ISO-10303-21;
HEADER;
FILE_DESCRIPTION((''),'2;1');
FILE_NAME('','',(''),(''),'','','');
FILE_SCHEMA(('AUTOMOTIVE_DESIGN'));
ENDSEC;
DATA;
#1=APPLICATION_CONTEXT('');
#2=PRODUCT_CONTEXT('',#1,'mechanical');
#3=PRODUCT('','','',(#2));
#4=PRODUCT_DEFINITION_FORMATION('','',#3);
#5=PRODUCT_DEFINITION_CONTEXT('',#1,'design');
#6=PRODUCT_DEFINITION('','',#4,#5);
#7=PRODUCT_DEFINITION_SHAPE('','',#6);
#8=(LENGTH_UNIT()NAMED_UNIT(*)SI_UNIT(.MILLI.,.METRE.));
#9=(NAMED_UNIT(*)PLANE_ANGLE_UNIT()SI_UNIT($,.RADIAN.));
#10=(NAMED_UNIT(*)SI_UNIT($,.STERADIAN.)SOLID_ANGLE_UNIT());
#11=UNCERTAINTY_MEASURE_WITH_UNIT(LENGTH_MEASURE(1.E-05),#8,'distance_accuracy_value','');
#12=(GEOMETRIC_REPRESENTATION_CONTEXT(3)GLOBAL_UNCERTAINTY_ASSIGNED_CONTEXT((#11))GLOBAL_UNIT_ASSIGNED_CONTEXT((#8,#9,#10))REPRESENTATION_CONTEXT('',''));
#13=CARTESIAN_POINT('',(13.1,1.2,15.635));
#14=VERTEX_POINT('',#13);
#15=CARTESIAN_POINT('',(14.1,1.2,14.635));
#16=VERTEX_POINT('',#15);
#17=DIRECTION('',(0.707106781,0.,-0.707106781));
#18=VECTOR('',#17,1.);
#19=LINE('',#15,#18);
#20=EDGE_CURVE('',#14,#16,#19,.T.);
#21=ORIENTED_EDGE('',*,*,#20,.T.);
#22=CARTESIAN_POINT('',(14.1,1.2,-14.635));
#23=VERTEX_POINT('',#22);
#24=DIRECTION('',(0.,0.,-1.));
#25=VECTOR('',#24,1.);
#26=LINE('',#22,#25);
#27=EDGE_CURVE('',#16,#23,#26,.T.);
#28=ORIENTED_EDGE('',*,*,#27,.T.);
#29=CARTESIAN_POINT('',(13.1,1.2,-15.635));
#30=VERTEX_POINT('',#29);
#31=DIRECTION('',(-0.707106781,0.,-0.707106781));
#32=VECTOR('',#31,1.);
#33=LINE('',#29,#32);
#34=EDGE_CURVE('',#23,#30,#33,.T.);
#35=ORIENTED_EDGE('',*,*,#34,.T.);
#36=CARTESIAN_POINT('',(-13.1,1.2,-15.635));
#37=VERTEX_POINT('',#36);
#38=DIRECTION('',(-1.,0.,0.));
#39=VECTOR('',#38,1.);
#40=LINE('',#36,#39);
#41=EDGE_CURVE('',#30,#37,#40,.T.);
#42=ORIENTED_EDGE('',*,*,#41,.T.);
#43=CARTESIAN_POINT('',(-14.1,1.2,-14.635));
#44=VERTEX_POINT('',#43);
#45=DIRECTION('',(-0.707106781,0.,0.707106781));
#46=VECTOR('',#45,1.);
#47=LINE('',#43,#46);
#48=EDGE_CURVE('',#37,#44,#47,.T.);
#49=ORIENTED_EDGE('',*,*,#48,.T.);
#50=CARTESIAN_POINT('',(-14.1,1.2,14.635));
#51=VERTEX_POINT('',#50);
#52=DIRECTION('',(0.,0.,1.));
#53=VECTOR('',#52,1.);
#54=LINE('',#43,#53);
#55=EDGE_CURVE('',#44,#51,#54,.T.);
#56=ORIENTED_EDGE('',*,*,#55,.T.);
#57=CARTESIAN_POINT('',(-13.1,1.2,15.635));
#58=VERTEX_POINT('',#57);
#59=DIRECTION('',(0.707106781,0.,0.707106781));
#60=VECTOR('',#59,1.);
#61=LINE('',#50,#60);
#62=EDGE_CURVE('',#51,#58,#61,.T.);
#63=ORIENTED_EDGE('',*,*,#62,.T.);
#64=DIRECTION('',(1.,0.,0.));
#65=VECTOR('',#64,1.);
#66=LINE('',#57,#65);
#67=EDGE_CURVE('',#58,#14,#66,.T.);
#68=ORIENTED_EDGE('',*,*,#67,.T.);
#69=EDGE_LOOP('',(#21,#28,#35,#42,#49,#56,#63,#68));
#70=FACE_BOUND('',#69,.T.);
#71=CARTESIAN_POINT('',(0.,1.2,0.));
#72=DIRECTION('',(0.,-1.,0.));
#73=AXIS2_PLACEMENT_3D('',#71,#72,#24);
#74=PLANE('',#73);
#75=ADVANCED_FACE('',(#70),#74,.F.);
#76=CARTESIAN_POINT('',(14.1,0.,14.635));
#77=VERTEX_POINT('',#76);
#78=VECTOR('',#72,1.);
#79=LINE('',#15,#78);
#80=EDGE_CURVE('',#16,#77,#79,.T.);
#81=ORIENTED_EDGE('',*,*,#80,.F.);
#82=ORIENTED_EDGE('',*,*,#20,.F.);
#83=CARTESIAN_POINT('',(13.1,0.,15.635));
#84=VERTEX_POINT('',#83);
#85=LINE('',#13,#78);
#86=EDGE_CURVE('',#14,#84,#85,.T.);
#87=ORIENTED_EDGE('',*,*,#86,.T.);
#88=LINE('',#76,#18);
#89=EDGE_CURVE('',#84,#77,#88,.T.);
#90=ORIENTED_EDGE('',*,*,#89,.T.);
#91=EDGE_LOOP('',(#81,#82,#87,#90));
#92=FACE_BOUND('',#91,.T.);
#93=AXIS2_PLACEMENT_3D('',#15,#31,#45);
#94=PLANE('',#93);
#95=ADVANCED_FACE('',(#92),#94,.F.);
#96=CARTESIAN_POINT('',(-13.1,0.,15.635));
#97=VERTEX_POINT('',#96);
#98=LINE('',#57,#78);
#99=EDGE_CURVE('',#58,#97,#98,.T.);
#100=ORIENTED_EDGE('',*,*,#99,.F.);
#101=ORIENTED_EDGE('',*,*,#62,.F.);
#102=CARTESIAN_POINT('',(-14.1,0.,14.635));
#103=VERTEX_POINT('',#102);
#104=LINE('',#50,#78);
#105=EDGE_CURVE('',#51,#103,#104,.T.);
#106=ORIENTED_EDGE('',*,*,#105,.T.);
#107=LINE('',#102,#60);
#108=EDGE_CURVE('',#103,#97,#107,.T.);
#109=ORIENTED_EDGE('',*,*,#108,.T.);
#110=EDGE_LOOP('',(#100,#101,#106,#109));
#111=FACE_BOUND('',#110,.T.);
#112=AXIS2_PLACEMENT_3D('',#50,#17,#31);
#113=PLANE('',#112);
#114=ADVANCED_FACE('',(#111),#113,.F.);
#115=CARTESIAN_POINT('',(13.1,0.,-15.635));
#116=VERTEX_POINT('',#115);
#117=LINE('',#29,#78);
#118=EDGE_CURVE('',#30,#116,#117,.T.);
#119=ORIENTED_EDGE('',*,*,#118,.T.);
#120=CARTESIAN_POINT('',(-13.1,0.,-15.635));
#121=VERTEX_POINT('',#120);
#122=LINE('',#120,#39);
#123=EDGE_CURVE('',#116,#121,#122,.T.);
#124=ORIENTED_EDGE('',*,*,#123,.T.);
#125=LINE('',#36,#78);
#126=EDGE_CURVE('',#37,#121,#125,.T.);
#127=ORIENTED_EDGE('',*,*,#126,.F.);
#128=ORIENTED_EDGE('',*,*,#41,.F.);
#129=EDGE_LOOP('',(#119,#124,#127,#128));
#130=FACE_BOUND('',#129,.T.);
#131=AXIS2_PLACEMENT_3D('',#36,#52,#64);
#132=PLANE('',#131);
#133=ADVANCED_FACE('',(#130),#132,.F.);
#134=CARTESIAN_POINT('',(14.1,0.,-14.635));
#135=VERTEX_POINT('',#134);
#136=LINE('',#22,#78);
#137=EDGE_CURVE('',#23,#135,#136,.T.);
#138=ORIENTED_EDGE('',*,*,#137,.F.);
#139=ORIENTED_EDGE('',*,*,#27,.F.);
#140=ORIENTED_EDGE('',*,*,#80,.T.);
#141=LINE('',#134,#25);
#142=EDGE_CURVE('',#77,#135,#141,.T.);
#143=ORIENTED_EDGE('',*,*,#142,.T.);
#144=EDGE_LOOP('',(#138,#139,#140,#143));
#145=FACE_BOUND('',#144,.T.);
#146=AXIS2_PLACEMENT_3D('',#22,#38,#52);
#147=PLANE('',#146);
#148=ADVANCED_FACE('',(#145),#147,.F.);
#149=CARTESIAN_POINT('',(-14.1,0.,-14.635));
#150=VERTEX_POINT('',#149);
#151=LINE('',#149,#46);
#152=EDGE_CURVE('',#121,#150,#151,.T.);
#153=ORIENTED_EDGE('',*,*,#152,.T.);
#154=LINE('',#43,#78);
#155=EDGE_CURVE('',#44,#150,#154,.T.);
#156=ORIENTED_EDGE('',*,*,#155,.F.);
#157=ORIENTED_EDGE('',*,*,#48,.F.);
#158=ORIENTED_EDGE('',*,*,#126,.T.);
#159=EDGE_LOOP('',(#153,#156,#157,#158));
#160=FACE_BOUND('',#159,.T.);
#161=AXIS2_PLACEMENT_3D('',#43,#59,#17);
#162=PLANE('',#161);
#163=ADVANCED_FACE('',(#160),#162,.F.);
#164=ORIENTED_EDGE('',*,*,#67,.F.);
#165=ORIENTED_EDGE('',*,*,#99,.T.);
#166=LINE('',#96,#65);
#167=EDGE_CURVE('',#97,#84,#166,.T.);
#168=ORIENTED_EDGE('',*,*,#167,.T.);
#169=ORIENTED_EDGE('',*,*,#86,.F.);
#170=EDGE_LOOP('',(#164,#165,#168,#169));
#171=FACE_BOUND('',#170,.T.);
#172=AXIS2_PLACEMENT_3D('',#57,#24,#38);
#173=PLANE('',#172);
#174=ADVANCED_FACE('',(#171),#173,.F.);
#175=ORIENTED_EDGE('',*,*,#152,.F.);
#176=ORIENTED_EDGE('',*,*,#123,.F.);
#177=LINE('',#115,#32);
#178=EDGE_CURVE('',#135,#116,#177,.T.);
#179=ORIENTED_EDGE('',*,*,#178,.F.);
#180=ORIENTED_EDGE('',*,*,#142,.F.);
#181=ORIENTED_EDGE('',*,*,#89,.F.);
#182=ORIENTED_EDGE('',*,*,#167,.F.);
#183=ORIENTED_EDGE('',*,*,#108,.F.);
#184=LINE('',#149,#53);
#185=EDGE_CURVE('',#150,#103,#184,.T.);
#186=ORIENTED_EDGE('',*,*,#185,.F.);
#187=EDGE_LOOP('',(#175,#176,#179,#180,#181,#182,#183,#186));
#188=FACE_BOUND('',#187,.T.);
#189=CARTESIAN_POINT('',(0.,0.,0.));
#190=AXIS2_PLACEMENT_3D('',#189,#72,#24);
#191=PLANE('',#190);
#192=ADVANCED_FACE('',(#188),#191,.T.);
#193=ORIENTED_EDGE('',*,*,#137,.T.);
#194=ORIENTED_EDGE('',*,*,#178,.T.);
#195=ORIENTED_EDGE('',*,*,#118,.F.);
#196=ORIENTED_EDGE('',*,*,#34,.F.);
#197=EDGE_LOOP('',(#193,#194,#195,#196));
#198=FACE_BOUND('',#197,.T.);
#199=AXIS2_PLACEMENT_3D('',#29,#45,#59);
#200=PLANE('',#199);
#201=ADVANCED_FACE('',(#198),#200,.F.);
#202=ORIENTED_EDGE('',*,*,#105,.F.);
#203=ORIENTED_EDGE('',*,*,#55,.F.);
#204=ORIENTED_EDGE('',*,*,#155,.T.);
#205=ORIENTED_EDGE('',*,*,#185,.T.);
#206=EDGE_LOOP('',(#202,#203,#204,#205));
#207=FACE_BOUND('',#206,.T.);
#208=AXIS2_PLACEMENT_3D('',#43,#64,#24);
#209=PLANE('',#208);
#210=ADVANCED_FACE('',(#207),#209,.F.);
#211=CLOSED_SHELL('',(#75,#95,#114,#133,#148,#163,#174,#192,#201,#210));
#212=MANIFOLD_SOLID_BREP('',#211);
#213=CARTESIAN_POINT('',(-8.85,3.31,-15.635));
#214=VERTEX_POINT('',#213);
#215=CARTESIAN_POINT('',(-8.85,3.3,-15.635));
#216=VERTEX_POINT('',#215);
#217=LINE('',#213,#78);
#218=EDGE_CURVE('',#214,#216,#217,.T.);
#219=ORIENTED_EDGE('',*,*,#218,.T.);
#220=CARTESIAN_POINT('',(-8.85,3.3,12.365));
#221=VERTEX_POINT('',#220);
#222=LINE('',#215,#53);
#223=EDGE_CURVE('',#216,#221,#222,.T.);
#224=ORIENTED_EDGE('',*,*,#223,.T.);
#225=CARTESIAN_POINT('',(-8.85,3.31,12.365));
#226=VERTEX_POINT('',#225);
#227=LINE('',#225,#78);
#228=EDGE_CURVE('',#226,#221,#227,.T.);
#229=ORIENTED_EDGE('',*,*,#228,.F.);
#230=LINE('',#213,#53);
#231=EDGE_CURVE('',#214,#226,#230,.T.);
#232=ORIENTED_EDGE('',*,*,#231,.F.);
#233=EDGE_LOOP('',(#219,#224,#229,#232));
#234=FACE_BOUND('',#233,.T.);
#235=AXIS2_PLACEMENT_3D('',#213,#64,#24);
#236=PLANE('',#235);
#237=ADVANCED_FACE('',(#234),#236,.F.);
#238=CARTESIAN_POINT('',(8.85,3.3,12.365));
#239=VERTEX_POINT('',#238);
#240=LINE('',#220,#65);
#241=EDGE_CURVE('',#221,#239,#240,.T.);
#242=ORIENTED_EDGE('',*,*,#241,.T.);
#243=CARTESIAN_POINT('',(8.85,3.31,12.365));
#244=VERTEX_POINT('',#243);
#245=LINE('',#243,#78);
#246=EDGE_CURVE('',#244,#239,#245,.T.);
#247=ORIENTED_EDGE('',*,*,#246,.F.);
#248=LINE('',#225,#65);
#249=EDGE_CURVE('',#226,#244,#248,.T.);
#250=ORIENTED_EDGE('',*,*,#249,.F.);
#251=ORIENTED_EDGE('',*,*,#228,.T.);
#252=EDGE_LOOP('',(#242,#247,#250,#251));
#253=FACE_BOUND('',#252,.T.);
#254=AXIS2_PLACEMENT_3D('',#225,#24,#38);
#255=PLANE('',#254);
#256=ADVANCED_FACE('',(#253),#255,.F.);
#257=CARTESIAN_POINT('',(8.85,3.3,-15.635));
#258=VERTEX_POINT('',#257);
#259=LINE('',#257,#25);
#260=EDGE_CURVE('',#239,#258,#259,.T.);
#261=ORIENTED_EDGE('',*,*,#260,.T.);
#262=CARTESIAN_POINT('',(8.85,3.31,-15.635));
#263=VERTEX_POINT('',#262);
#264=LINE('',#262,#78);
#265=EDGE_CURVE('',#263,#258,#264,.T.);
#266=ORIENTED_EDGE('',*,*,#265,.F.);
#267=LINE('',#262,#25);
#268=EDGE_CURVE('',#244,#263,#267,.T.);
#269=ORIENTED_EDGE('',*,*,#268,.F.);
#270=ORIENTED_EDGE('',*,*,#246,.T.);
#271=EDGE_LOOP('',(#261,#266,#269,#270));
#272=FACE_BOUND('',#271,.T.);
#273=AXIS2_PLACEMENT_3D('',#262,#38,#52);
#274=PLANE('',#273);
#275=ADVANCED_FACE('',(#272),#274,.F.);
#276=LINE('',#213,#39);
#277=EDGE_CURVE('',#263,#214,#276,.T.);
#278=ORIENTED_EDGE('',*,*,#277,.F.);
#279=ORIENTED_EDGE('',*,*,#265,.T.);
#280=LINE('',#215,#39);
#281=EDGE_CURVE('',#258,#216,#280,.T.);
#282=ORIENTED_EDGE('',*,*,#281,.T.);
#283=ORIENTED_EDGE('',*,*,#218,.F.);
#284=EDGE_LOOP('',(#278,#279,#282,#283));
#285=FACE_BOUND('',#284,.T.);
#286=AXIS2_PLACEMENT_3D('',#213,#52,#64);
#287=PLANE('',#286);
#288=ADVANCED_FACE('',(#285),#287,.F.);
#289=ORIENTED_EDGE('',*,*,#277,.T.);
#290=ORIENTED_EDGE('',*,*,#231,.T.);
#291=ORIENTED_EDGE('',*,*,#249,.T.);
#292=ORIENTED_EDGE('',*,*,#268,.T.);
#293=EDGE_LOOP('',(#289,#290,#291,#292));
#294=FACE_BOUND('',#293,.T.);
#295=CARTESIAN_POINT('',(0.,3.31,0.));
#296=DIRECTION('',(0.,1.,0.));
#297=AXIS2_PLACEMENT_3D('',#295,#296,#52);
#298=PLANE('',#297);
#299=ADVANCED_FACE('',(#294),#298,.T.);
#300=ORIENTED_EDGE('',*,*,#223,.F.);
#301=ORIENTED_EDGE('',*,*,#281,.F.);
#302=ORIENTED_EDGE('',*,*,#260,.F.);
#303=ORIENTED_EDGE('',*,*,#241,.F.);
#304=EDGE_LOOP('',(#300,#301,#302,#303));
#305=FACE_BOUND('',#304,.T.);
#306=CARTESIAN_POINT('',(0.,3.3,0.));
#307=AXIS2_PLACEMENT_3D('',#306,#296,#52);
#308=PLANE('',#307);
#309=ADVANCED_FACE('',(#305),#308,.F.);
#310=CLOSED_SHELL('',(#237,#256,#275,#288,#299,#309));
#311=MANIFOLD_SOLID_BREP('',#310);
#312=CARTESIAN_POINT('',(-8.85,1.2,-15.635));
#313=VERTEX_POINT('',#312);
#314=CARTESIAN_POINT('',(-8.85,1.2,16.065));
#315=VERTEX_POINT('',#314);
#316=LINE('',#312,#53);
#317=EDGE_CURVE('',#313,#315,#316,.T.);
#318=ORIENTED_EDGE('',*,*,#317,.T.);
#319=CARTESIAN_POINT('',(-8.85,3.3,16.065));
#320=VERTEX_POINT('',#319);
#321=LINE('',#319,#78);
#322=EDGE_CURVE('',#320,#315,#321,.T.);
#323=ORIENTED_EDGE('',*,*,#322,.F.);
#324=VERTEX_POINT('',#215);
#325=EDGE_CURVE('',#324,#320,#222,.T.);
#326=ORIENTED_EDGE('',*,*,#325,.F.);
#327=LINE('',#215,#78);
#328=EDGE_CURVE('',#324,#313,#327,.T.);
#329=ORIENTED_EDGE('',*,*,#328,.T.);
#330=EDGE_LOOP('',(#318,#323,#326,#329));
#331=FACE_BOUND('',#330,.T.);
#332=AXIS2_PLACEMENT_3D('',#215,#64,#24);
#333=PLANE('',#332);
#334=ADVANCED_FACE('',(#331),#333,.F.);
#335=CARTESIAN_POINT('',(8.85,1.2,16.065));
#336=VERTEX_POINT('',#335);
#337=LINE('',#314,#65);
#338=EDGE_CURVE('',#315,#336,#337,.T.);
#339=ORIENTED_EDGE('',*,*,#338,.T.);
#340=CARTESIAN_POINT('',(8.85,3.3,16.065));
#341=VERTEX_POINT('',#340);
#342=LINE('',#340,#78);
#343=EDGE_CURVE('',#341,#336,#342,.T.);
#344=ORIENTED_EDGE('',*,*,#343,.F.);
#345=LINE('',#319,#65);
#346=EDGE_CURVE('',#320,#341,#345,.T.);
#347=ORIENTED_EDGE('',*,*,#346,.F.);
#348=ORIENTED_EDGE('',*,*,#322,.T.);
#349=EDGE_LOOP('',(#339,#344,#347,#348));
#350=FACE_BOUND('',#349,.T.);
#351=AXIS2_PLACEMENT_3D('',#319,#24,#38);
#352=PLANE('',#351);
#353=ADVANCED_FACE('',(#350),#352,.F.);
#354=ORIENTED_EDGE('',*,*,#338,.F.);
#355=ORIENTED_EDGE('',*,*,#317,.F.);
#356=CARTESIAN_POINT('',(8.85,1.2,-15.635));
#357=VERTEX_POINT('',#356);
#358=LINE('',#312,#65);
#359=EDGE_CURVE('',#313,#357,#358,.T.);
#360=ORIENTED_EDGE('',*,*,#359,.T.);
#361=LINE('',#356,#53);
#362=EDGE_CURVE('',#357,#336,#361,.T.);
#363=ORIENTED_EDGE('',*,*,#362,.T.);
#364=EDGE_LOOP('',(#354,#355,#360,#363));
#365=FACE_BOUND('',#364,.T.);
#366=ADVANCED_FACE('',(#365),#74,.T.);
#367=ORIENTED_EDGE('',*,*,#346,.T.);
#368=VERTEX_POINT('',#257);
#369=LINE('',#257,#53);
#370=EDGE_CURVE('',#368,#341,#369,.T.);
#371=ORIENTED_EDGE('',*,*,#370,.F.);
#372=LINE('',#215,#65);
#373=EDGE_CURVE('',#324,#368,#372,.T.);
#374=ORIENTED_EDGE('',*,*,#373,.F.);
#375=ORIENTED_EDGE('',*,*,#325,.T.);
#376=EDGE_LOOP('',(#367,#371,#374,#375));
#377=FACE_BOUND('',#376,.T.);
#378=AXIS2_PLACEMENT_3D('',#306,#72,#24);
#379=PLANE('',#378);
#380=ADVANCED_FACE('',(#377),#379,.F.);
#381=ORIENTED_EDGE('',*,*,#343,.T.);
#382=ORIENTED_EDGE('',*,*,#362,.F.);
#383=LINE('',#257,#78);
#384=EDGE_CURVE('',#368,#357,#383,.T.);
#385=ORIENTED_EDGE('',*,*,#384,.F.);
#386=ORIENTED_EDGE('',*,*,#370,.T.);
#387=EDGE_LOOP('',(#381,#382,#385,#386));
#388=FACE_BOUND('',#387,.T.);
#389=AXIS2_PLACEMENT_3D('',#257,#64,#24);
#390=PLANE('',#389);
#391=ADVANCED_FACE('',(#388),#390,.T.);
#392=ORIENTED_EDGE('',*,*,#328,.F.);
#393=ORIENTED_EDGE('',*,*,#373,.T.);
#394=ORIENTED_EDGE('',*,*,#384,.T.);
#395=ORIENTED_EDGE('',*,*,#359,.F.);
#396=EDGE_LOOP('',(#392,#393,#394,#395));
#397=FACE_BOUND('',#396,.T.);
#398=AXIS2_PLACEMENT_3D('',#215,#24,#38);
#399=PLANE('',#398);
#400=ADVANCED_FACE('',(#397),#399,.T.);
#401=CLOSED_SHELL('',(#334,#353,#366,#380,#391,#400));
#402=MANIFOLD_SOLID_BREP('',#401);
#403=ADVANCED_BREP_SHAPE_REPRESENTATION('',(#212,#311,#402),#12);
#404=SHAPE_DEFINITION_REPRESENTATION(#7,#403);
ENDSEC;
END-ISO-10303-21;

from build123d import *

# Parameters (mm, degrees)
EXTRUDE_1_DEPTH = 1.2
SKETCH_2_W      = 17.7
SKETCH_2_H      = 31.7
EXTRUDE_2_DEPTH = 2.1
SKETCH_3_W      = 17.7
SKETCH_3_H      = 28
EXTRUDE_3_DEPTH = 0.01


with BuildPart() as part:
    # Эскиз1 → Бобышка-Вытянуть1 (new body)
    with BuildSketch(Plane(origin=(0, 0, 0), x_dir=(1, 0, 0), z_dir=(0, 1, 0))):
        Polygon((-14.1, 14.635), (-13.1, 15.635), (13.1, 15.635), (14.1, 14.635), (14.1, -14.635), (13.1, -15.635), (-13.1, -15.635), (-14.1, -14.635), align=None)
    extrude(amount=EXTRUDE_1_DEPTH)


with BuildPart() as body_2:
    # Эскиз2 → Бобышка-Вытянуть2 (new body)
    with BuildSketch(Plane(origin=(0, 1.2, 0), x_dir=(1, 0, 0), z_dir=(0, 1, 0))):
        with Locations((0, -0.215)):
            Rectangle(SKETCH_2_W, SKETCH_2_H)
    extrude(amount=EXTRUDE_2_DEPTH)


with BuildPart() as body_3:
    # Эскиз3 → Бобышка-Вытянуть3 (new body)
    with BuildSketch(Plane(origin=(0, 3.3, 0), x_dir=(1, 0, 0), z_dir=(0, 1, 0))):
        with Locations((0, 1.635)):
            Rectangle(SKETCH_3_W, SKETCH_3_H)
    extrude(amount=EXTRUDE_3_DEPTH)


solid = Compound([part.part, body_2.part, body_3.part])
